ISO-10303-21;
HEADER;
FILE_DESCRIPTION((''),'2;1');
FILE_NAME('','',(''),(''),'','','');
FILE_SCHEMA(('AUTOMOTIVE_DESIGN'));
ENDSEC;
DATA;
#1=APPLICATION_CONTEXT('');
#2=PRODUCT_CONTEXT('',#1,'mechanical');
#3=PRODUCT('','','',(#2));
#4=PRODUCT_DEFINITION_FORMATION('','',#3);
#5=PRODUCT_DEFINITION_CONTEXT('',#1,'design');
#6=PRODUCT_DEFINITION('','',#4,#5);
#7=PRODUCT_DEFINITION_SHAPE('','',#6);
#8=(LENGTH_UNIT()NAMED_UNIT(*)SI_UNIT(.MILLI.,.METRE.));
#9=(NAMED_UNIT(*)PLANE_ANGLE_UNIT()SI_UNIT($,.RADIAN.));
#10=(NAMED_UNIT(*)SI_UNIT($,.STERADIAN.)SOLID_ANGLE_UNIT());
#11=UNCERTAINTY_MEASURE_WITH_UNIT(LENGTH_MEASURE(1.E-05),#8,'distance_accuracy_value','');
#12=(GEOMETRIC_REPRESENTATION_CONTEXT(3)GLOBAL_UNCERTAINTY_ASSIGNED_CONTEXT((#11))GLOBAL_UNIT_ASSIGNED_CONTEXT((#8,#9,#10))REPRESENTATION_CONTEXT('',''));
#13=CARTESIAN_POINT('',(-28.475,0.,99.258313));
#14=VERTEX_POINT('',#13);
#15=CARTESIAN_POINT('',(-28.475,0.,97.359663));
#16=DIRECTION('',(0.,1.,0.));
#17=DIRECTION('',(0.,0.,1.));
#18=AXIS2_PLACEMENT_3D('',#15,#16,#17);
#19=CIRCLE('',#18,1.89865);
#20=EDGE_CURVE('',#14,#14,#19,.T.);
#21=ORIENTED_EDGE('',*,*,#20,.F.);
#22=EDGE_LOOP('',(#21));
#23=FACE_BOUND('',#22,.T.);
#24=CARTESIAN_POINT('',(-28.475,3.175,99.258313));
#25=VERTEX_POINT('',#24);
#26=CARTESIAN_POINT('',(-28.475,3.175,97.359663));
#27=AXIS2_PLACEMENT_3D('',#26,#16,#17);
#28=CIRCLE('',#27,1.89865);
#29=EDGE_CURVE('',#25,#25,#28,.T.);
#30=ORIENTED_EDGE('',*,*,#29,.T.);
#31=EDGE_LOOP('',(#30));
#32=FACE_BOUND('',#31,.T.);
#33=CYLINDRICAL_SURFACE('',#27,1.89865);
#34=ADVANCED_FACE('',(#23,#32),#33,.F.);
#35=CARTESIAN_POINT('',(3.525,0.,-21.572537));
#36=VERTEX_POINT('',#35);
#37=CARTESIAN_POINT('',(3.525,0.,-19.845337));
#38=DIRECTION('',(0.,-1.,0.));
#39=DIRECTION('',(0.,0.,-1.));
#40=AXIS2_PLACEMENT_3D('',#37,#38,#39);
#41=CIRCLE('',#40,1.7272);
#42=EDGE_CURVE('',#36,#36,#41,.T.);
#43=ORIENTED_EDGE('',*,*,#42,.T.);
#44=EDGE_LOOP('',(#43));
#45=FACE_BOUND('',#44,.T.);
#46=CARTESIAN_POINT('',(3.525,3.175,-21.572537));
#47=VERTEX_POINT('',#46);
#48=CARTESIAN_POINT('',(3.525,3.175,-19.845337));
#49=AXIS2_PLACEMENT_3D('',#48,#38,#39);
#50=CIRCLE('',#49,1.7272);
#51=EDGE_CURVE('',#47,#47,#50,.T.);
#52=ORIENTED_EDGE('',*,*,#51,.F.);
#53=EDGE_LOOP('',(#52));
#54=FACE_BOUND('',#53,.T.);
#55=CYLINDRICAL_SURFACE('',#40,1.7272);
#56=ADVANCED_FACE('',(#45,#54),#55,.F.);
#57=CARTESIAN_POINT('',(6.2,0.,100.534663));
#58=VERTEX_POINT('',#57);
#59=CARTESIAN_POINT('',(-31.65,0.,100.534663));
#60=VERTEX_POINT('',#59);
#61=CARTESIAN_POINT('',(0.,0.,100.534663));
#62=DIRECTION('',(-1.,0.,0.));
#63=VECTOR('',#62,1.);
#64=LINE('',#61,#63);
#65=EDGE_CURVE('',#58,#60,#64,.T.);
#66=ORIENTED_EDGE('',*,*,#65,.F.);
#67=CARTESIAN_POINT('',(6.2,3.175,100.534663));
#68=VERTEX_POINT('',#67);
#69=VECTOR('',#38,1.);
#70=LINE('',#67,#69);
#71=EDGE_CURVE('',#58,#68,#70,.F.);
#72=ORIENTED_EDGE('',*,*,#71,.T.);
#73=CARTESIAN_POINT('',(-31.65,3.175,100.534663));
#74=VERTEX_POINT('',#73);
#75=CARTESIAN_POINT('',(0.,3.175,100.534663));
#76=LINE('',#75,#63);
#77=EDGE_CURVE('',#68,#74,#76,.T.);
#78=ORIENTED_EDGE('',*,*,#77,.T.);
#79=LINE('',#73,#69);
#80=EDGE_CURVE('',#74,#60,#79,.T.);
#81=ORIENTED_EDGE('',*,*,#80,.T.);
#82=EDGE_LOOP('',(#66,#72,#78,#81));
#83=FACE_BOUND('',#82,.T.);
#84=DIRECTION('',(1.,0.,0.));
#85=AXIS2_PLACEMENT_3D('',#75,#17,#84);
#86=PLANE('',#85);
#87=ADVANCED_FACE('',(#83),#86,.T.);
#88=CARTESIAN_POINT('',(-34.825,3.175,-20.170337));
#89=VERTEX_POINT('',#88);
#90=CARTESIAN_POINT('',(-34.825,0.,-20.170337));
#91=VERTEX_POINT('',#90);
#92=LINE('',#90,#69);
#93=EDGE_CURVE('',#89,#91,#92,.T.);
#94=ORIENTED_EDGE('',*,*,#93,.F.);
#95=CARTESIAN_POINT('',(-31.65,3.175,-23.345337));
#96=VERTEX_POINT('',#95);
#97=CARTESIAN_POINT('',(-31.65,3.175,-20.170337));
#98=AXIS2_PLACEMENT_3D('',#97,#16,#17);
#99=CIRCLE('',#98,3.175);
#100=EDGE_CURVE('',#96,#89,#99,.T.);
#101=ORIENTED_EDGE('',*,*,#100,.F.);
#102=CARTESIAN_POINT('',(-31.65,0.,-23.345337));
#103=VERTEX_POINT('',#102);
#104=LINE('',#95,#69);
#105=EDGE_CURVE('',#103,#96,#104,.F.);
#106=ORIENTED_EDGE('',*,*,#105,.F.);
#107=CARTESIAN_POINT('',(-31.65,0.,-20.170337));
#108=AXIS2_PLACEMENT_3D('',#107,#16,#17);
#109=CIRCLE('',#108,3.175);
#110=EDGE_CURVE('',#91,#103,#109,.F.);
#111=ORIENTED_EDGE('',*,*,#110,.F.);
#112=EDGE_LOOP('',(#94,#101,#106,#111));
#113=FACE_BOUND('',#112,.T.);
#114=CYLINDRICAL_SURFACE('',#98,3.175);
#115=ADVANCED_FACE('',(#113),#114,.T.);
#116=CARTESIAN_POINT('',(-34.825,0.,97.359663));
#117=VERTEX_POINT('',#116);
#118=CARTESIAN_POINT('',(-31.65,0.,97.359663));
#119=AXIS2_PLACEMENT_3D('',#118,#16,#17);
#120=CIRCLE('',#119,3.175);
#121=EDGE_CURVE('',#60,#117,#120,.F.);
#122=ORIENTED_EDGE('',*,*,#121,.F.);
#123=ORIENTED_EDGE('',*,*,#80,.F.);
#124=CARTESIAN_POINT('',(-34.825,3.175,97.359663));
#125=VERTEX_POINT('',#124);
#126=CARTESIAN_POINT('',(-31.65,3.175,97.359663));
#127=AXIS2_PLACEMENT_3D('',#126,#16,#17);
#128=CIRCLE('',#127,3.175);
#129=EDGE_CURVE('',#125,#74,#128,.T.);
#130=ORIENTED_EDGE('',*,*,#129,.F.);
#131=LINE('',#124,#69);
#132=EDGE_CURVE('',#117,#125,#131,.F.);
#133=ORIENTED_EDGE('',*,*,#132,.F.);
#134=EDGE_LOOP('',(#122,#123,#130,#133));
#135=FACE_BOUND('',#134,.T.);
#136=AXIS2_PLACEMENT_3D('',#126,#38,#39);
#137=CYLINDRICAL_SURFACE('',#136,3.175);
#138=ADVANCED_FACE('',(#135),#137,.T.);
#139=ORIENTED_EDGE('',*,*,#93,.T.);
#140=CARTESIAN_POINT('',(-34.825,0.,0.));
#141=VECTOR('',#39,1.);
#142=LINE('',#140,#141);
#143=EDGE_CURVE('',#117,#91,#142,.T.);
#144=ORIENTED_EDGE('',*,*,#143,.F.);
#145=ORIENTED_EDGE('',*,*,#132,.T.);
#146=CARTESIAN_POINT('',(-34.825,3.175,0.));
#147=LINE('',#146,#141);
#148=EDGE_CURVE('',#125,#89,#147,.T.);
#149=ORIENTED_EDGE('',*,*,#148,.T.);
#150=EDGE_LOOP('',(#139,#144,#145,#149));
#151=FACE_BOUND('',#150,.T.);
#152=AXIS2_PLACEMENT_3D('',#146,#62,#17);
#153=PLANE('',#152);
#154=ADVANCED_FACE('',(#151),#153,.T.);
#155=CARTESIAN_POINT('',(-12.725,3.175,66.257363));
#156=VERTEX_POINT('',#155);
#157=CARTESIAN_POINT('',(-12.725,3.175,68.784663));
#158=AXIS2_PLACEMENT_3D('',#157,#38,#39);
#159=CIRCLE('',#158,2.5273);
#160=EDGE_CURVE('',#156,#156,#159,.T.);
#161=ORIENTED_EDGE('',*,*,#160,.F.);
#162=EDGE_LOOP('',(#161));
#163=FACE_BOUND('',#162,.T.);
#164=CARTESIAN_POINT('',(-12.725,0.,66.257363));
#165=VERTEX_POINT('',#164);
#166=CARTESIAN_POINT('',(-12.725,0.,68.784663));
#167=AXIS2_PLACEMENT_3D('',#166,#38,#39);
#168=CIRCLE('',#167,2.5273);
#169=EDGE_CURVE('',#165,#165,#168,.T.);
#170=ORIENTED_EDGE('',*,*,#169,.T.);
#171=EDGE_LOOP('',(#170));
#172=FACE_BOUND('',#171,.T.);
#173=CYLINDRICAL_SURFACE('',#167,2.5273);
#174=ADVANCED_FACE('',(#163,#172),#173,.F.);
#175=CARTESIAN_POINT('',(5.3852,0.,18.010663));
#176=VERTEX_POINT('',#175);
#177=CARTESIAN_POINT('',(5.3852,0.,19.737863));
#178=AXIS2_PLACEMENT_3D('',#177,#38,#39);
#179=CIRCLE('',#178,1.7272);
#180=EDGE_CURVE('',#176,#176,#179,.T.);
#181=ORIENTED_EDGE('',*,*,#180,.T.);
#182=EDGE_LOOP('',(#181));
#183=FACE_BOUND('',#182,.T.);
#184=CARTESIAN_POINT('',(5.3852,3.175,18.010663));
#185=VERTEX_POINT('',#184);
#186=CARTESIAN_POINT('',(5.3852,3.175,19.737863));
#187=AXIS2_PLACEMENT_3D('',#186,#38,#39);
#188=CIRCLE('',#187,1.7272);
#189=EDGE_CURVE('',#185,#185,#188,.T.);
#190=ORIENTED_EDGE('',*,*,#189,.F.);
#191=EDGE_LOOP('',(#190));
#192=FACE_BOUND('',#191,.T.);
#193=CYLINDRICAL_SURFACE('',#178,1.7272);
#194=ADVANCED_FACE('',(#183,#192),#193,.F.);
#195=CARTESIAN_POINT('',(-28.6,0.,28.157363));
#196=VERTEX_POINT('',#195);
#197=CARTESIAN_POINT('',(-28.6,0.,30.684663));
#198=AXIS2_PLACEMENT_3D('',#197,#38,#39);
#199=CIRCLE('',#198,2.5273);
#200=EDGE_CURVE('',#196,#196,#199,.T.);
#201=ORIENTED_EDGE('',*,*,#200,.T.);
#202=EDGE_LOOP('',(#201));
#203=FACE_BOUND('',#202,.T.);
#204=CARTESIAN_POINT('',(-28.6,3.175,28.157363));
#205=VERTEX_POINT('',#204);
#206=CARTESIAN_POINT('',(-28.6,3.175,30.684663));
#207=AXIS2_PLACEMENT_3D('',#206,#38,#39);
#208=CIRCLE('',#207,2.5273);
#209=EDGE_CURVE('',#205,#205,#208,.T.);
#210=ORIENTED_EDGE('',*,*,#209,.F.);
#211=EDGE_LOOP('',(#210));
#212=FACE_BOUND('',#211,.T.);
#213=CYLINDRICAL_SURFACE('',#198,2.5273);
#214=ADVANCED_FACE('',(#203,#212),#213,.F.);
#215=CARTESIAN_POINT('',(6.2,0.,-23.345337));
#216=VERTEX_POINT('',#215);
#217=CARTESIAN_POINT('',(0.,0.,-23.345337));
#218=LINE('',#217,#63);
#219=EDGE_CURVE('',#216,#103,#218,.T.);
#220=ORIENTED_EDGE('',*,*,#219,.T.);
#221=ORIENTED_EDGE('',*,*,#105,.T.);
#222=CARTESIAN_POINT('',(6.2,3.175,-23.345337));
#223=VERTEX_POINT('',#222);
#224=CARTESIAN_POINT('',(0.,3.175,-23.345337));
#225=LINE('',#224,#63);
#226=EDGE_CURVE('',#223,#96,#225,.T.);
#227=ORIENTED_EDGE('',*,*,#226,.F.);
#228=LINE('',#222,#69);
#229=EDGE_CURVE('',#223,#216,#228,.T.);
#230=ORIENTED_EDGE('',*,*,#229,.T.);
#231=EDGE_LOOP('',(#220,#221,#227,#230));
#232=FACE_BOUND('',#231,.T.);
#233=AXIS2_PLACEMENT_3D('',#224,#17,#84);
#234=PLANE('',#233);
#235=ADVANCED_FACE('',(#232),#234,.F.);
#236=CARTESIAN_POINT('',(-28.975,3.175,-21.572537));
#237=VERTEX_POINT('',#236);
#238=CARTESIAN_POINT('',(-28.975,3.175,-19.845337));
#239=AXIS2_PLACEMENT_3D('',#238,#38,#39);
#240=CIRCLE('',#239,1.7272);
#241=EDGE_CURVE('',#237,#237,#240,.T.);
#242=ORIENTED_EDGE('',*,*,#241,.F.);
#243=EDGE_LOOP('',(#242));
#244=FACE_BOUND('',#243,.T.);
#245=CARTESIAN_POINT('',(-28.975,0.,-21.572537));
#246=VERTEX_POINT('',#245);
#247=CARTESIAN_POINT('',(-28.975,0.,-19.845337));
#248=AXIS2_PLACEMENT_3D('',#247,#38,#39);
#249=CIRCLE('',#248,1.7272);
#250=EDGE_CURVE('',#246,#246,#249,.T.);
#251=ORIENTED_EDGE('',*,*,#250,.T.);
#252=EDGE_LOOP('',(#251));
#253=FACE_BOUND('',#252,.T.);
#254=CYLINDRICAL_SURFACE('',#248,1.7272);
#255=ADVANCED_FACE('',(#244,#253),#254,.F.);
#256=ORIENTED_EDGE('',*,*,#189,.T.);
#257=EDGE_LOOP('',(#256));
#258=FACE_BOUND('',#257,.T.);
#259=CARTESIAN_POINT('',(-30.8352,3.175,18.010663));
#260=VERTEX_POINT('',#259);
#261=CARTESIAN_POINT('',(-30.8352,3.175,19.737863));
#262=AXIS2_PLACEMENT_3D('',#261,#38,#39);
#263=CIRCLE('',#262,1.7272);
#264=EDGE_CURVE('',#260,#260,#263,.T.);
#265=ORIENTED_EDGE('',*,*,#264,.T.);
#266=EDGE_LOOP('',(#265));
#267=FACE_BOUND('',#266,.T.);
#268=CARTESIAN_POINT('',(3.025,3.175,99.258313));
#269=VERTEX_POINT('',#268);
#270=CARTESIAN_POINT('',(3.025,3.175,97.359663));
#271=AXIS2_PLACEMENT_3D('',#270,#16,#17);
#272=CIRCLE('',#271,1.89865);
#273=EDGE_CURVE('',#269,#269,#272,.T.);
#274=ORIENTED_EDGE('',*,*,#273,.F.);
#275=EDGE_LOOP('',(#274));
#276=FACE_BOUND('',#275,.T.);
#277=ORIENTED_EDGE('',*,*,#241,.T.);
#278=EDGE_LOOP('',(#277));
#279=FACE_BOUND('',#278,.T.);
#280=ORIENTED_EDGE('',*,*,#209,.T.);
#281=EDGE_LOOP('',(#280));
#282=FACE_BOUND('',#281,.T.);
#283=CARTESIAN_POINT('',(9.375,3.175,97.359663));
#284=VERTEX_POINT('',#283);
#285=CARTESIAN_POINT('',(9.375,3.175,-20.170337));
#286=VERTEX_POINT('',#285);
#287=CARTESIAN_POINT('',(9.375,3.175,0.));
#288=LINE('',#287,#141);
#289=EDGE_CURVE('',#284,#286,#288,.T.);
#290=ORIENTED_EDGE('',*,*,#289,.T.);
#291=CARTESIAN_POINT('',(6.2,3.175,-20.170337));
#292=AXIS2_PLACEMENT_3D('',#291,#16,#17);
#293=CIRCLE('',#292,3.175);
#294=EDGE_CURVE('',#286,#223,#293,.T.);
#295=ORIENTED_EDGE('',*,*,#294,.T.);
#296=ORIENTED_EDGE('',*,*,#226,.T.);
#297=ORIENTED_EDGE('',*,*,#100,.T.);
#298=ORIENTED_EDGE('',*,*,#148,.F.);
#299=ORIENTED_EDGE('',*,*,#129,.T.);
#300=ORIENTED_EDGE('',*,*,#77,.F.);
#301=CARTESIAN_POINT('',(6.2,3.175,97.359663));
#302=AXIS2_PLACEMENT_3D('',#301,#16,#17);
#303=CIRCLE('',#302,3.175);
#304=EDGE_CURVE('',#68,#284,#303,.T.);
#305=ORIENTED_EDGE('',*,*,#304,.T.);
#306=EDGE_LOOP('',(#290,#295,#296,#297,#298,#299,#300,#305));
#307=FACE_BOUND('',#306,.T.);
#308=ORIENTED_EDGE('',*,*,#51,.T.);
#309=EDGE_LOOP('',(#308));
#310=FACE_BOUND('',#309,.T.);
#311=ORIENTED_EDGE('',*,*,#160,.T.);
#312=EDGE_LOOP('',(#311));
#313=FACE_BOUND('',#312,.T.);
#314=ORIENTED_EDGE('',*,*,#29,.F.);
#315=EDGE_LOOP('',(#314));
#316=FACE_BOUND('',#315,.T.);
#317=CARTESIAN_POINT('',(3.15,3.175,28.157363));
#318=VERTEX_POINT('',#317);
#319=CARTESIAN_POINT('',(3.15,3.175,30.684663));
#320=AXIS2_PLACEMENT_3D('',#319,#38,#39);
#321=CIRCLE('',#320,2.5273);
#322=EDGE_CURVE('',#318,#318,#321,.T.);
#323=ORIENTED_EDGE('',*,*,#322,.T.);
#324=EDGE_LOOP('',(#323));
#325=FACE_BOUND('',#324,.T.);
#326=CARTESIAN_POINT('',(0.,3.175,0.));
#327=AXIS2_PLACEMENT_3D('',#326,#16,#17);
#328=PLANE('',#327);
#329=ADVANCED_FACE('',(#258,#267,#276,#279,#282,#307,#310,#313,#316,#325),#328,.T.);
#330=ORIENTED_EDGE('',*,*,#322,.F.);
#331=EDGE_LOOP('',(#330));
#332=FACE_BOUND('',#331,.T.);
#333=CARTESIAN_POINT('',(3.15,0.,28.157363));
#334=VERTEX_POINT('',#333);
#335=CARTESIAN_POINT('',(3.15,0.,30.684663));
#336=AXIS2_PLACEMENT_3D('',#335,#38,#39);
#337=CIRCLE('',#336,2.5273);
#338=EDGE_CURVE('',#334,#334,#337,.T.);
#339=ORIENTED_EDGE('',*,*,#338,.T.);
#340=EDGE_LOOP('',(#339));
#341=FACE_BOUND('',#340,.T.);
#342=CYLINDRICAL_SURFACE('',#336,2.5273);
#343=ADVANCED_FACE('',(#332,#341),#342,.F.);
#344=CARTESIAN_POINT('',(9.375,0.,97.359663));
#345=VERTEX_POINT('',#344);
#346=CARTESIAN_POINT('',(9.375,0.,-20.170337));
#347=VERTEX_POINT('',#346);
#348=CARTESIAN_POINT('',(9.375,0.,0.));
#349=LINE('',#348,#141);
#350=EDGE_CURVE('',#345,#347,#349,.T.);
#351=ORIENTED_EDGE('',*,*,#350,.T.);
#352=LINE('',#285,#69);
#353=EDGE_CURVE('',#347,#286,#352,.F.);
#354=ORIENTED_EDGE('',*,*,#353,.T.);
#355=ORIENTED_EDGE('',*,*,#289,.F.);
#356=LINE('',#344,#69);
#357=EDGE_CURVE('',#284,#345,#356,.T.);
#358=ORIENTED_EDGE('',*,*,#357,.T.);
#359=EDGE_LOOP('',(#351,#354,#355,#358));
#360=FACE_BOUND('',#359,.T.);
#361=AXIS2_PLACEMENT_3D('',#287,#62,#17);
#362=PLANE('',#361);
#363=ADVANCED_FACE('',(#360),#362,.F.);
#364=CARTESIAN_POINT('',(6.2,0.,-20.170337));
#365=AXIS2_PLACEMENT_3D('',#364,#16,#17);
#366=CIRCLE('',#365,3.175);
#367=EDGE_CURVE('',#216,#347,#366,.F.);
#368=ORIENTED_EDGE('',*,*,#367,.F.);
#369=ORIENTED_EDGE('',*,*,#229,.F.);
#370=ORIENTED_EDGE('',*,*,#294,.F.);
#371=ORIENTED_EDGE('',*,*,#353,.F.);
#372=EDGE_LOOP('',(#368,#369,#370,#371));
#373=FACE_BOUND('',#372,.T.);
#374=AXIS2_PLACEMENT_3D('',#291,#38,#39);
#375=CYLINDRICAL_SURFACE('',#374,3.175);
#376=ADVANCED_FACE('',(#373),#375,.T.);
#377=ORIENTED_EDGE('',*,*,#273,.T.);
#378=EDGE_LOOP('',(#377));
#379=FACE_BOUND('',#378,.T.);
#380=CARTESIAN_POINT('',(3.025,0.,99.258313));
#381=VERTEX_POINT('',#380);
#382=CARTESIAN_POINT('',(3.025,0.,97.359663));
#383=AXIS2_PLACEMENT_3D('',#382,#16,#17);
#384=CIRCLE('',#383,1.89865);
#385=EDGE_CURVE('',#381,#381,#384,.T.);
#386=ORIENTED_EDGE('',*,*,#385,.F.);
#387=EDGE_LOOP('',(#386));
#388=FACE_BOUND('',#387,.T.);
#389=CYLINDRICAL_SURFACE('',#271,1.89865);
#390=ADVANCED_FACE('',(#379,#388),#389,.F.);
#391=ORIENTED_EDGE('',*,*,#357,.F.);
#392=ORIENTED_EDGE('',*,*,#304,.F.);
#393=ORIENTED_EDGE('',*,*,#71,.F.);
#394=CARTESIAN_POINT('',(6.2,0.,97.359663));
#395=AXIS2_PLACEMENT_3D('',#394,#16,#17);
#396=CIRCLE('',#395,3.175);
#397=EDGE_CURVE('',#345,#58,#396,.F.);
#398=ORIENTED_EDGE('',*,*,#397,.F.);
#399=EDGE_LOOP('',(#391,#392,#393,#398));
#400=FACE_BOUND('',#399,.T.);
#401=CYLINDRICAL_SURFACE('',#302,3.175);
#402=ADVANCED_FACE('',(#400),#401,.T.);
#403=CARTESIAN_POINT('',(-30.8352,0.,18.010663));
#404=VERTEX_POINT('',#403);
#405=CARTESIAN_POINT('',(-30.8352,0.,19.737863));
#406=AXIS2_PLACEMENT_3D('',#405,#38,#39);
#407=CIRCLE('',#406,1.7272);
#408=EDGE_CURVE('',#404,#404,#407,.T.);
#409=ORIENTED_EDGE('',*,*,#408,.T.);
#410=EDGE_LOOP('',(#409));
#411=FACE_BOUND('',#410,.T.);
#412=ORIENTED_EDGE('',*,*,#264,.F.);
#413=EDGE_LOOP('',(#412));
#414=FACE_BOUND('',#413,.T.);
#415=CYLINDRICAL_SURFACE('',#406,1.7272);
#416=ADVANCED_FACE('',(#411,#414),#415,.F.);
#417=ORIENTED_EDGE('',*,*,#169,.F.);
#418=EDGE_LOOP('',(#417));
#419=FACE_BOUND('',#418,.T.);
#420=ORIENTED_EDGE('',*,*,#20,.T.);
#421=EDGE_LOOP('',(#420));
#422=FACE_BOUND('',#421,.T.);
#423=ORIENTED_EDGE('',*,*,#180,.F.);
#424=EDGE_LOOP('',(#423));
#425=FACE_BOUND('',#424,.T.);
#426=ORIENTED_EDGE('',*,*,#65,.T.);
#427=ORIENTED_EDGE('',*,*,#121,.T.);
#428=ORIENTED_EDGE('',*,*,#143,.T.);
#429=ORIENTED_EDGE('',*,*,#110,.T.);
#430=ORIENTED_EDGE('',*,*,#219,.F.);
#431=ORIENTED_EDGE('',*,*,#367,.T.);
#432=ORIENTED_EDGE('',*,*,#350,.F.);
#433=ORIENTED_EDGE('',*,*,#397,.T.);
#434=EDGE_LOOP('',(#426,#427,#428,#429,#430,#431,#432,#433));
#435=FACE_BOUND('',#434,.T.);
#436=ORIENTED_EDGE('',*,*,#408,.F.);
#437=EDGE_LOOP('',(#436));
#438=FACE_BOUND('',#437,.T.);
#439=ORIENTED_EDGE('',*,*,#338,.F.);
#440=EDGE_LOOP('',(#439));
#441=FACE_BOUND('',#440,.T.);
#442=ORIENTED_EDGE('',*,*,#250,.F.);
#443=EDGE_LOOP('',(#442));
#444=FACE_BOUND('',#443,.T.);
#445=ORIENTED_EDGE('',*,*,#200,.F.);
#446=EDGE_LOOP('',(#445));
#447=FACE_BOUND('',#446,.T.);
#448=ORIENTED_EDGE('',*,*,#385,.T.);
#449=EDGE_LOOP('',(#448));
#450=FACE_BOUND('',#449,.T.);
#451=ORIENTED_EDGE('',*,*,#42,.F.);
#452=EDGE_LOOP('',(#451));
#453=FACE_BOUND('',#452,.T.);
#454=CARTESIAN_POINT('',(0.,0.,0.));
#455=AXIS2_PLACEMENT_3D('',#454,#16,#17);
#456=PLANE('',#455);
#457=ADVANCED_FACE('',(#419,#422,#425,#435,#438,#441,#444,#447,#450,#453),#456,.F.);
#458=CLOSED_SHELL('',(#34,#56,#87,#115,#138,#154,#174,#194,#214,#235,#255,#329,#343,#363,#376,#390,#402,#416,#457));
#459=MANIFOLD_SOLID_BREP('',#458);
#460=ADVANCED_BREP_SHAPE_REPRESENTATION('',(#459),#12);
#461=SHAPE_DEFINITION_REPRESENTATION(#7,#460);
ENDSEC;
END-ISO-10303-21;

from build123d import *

# Parameters (mm, degrees)
SKETCH1_W                  = 44.2
SKETCH1_H                  = 123.88
BOSS_EXTRUDE1_DEPTH        = 3.175
F_5_CLEARANCE_HOLE1_D      = 3.4544
F_6_CLEARANCE_HOLE1_D      = 3.7973
FILLET1_R                  = 3.175
F_8_0_199_DIAMETER_HOLE1_D = 5.0546


with BuildPart() as part:
    # Sketch1 → Boss-Extrude1 (new body)
    with BuildSketch(Plane(origin=(0, 0, 0), x_dir=(1, 0, 0), z_dir=(0, 1, 0))):
        with Locations((-12.725, -38.594662694)):
            Rectangle(SKETCH1_W, SKETCH1_H)
    extrude(amount=BOSS_EXTRUDE1_DEPTH)

    # #5 Clearance Hole1 (through all)
    with Locations(Plane(origin=(0, 0, 0), x_dir=(-1, 0, 0), z_dir=(0, -1, 0))):
        with Locations((28.975, 19.845337306), (-3.525, 19.845337306), (-5.3852, -19.737862694), (30.8352, -19.737862694)):
            Hole(F_5_CLEARANCE_HOLE1_D / 2)

    # #6 Clearance Hole1 (through all)
    with Locations(Plane(origin=(0, 3.175, 0), x_dir=(1, 0, 0), z_dir=(0, 1, 0))):
        with Locations((3.025, -97.359662694), (-28.475, -97.359662694)):
            Hole(F_6_CLEARANCE_HOLE1_D / 2)

    # Fillet1
    fillet1_edges = [part.edges().sort_by_distance(p)[0] for p in [
        (-34.825, 1.5875, -23.345337306),
        (9.375, 1.5875, -23.345337306),
        (9.375, 1.5875, 100.534662694),
        (-34.825, 1.5875, 100.534662694),
    ]]
    fillet(fillet1_edges, radius=FILLET1_R)

    # #8 (0.199) Diameter Hole1 (through all)
    with Locations(Plane(origin=(0, 0, 0), x_dir=(-1, 0, 0), z_dir=(0, -1, 0))):
        with Locations((-3.15, -30.684662694), (28.6, -30.684662694), (12.725, -68.784662694)):
            Hole(F_8_0_199_DIAMETER_HOLE1_D / 2)


solid = part.part
